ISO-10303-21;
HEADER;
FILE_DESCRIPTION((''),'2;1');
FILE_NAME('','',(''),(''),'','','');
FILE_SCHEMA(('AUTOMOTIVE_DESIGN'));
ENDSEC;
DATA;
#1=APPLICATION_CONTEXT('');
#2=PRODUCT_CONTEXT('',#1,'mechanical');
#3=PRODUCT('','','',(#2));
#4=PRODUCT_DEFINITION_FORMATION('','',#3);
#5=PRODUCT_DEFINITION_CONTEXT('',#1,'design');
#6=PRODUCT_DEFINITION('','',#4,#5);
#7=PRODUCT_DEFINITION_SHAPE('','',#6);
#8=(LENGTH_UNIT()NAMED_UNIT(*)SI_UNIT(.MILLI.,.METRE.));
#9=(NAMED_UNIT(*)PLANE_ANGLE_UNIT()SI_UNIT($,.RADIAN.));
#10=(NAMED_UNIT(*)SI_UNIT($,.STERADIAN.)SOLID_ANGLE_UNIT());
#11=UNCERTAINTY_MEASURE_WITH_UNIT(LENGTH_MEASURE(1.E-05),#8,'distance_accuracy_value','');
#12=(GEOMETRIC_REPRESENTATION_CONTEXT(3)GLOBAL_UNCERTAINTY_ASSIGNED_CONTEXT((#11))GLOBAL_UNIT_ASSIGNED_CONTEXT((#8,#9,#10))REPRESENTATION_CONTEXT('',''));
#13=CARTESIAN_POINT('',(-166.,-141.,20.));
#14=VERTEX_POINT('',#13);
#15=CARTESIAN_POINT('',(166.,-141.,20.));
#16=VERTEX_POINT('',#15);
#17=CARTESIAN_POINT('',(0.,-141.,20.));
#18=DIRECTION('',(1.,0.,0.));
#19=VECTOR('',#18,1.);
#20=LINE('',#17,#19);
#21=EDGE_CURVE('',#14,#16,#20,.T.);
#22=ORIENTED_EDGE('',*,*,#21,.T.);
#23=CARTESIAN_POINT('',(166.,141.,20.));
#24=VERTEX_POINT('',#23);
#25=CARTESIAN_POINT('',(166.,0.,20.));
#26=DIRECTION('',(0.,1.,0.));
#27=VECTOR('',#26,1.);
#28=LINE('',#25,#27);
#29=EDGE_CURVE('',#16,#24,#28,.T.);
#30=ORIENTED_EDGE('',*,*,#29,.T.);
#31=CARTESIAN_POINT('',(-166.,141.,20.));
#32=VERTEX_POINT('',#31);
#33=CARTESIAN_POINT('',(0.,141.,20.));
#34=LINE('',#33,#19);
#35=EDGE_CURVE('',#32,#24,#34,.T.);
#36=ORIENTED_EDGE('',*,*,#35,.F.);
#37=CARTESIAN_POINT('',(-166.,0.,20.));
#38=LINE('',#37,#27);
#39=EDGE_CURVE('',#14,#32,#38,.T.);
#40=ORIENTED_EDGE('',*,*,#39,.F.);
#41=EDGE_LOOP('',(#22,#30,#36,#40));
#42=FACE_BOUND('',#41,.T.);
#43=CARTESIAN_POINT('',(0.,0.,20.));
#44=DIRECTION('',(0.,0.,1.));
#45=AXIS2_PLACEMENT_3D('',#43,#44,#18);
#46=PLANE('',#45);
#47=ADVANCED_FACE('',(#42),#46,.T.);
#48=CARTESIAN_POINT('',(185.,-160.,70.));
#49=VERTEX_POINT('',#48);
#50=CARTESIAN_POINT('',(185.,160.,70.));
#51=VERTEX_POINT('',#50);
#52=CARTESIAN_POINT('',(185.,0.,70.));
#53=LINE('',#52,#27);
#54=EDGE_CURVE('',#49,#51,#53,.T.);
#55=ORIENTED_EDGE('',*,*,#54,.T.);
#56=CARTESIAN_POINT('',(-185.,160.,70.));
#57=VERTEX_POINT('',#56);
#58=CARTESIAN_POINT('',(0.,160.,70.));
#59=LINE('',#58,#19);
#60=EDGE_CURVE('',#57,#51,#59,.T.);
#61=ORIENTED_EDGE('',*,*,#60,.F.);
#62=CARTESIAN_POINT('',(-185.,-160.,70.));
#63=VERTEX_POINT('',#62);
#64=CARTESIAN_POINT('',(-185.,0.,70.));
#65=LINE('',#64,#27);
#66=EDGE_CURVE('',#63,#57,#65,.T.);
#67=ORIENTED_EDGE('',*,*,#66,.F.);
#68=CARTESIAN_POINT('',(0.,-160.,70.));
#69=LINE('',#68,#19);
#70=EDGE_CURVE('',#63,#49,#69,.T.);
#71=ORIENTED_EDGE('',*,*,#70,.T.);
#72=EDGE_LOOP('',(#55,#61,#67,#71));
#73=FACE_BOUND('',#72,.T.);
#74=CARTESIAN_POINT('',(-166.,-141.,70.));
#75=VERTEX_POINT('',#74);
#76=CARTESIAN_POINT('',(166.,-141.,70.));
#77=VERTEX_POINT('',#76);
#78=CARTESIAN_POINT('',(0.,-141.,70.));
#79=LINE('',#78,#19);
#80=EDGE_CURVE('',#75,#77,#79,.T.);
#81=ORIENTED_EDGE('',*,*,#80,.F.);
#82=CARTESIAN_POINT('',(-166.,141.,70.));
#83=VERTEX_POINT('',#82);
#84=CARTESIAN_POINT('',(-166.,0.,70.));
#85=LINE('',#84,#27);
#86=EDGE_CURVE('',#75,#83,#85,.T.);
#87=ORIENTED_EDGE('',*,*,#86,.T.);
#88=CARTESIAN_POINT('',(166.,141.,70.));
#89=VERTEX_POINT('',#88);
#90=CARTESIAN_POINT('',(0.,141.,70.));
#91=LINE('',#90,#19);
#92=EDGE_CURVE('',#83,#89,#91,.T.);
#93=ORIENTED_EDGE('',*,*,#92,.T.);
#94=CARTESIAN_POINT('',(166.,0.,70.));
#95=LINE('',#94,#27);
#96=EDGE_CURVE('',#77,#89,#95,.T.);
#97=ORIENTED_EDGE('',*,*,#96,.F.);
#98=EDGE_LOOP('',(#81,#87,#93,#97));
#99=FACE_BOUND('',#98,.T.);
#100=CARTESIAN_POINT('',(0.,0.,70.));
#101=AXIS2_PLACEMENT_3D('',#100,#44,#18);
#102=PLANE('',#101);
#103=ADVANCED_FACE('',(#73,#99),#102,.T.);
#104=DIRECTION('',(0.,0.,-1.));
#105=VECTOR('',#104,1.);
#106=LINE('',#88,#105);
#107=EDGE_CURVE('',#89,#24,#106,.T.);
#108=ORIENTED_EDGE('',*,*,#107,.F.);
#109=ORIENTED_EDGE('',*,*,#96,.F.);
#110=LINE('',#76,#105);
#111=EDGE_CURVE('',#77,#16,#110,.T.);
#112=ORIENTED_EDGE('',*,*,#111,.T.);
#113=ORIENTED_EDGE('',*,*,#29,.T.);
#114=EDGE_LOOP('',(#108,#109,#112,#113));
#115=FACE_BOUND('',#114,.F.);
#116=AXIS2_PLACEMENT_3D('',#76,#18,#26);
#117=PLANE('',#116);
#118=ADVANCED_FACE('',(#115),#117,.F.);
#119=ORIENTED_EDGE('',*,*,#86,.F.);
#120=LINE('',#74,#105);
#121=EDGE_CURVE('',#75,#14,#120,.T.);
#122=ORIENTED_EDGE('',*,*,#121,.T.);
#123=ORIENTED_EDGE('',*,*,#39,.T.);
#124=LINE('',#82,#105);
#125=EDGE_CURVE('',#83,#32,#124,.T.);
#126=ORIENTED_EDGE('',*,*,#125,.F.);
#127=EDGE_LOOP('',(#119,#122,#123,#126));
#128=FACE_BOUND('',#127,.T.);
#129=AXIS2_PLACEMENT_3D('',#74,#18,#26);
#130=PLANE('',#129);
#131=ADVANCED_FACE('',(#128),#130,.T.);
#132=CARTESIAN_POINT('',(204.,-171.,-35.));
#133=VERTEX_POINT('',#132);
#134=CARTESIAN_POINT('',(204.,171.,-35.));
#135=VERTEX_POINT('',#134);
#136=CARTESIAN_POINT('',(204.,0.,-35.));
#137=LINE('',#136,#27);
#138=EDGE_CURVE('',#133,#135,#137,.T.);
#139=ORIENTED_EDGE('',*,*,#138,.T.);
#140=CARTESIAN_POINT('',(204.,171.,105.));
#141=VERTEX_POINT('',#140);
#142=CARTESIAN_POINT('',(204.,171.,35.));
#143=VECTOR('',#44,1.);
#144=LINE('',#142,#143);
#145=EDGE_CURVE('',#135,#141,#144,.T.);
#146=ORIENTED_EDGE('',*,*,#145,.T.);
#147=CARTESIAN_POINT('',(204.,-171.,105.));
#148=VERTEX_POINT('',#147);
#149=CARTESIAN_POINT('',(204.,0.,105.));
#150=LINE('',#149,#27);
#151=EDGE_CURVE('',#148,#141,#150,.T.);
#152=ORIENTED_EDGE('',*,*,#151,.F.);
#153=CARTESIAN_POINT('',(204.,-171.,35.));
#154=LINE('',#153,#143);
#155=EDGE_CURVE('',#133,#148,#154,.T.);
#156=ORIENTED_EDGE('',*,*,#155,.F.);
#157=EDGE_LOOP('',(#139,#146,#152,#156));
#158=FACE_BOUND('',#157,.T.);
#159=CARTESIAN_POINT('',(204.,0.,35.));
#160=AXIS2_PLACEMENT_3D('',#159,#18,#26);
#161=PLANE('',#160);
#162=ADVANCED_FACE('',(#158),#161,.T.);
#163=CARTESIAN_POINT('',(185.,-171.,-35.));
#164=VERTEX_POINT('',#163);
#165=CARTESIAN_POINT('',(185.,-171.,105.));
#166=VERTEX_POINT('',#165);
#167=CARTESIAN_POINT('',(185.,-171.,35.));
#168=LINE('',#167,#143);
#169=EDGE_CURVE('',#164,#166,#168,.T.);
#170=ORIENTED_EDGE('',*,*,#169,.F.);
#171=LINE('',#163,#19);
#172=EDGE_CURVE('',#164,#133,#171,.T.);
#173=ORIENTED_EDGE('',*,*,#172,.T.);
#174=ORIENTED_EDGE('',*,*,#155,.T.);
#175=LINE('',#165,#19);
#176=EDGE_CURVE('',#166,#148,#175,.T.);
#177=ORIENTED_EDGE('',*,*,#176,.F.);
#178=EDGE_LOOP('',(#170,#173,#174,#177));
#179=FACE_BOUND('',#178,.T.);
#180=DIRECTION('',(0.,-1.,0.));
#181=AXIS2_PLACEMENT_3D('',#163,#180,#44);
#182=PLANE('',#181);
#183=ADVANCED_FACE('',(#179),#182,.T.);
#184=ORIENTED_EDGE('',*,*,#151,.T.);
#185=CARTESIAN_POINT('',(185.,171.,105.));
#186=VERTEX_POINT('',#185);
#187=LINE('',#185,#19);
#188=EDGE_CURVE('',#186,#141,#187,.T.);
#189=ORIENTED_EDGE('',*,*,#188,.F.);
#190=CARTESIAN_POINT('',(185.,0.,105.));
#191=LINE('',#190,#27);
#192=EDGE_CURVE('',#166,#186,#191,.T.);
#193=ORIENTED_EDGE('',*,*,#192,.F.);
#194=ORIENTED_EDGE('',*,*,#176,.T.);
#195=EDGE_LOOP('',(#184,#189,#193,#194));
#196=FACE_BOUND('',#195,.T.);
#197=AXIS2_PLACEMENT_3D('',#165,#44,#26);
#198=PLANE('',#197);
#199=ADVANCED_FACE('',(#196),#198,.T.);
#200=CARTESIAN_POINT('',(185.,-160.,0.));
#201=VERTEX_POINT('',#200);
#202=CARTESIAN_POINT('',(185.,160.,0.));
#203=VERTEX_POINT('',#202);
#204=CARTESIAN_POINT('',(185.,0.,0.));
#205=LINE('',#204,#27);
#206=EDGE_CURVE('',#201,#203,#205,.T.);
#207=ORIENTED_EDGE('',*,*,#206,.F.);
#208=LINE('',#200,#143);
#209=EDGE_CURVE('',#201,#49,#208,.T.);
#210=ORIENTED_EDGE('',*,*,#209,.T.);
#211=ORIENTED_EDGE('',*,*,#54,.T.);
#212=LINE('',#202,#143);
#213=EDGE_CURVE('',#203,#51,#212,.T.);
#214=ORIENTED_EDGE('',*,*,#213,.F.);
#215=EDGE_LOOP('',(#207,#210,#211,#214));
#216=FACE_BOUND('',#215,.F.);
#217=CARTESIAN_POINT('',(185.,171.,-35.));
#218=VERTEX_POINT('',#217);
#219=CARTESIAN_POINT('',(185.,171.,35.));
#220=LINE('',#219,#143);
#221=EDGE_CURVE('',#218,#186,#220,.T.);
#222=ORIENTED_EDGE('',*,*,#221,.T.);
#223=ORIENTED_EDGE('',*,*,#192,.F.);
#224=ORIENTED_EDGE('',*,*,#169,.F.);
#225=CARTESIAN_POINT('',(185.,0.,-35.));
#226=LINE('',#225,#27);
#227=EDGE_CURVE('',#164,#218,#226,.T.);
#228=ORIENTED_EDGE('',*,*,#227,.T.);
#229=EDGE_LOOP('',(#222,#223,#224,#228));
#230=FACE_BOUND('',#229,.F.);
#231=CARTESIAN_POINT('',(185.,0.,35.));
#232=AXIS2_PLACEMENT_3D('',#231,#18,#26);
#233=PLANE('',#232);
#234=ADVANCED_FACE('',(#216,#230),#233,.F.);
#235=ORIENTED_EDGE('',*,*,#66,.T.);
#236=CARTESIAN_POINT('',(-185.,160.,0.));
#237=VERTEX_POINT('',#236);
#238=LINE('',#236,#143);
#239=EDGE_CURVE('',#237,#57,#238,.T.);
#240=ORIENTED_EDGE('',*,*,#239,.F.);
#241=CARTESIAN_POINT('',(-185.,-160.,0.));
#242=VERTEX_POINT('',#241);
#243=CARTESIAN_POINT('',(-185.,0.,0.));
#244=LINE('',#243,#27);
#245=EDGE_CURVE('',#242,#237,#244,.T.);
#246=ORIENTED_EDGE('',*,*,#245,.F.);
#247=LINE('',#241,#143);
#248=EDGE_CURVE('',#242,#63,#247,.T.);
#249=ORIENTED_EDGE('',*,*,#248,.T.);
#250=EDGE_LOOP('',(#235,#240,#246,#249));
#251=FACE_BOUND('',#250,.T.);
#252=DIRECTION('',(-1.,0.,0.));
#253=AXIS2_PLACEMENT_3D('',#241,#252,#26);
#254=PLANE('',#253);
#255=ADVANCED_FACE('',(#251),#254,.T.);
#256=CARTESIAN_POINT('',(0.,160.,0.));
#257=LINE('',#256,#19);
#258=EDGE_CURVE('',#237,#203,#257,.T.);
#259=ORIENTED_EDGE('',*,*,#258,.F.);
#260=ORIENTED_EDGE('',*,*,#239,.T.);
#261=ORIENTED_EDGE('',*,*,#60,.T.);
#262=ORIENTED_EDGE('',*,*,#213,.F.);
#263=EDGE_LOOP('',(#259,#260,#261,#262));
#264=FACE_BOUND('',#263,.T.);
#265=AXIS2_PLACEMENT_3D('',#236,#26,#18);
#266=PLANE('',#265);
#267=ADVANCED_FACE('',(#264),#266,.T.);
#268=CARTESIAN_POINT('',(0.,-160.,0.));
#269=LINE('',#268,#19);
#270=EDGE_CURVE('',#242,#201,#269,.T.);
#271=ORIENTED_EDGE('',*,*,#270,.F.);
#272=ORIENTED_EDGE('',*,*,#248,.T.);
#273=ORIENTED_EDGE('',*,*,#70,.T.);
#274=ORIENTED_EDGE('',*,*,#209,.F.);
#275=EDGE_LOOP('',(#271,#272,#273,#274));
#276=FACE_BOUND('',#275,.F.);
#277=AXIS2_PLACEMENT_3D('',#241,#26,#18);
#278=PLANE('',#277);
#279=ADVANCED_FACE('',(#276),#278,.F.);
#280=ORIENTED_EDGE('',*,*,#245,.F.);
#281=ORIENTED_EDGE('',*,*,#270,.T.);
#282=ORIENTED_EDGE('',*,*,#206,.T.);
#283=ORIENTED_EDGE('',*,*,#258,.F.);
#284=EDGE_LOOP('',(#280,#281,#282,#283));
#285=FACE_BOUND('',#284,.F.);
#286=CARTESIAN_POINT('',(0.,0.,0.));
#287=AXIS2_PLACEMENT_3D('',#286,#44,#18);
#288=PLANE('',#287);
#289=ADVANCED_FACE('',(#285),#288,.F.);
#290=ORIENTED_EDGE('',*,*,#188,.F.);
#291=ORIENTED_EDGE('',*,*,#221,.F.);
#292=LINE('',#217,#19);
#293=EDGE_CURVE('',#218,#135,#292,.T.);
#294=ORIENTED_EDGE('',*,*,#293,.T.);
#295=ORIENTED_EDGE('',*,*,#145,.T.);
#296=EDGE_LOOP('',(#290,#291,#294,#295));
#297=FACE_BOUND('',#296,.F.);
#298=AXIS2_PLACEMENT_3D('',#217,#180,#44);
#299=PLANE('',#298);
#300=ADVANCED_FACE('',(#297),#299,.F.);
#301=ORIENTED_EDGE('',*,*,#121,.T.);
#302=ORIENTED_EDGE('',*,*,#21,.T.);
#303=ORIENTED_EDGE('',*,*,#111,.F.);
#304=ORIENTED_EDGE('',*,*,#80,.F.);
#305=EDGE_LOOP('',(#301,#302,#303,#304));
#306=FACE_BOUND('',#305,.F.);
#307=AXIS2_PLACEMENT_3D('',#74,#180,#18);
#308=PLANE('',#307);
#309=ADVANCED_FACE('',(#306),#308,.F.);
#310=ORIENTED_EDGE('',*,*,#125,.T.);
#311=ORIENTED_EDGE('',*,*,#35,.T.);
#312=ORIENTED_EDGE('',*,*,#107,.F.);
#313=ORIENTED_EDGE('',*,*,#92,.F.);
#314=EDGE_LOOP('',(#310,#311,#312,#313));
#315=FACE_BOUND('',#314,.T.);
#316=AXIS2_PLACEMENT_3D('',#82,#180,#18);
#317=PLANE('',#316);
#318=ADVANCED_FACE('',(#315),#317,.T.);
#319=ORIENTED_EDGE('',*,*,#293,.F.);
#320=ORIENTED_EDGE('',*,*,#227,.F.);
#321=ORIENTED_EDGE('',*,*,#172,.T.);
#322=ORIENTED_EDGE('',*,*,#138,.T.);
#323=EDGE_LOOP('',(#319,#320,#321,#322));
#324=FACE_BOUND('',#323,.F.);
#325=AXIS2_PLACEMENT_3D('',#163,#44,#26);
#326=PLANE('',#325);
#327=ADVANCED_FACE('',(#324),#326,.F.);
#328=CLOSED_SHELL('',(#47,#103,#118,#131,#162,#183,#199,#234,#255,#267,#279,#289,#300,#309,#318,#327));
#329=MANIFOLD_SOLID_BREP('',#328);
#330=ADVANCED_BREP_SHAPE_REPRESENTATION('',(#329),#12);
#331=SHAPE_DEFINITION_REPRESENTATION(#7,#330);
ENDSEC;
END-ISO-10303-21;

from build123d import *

# Parameters (mm, degrees)
F0_W     = 370
F0_H     = 320
F1_DEPTH = 70
F2_W     = 332
F2_H     = 282
F3_DEPTH = 50
F4_W     = 342
F4_H     = 140
F5_DEPTH = 19


with BuildPart() as f1:
    # F0 (on Top) → F1 (new body)
    with BuildSketch(Plane.XY):
        Rectangle(F0_W, F0_H)
    extrude(amount=F1_DEPTH)

    # F2 (on face) → F3 (cut)
    with BuildSketch(Plane.XY.offset(70)):
        Rectangle(F2_W, F2_H)
    extrude(amount=-F3_DEPTH, mode=Mode.SUBTRACT)

    # F4 (on face) → F5 (join)
    with BuildSketch(Plane.YZ.offset(185)):
        with Locations((0, 35)):
            Rectangle(F4_W, F4_H)
    extrude(amount=F5_DEPTH)


solid = f1.part
